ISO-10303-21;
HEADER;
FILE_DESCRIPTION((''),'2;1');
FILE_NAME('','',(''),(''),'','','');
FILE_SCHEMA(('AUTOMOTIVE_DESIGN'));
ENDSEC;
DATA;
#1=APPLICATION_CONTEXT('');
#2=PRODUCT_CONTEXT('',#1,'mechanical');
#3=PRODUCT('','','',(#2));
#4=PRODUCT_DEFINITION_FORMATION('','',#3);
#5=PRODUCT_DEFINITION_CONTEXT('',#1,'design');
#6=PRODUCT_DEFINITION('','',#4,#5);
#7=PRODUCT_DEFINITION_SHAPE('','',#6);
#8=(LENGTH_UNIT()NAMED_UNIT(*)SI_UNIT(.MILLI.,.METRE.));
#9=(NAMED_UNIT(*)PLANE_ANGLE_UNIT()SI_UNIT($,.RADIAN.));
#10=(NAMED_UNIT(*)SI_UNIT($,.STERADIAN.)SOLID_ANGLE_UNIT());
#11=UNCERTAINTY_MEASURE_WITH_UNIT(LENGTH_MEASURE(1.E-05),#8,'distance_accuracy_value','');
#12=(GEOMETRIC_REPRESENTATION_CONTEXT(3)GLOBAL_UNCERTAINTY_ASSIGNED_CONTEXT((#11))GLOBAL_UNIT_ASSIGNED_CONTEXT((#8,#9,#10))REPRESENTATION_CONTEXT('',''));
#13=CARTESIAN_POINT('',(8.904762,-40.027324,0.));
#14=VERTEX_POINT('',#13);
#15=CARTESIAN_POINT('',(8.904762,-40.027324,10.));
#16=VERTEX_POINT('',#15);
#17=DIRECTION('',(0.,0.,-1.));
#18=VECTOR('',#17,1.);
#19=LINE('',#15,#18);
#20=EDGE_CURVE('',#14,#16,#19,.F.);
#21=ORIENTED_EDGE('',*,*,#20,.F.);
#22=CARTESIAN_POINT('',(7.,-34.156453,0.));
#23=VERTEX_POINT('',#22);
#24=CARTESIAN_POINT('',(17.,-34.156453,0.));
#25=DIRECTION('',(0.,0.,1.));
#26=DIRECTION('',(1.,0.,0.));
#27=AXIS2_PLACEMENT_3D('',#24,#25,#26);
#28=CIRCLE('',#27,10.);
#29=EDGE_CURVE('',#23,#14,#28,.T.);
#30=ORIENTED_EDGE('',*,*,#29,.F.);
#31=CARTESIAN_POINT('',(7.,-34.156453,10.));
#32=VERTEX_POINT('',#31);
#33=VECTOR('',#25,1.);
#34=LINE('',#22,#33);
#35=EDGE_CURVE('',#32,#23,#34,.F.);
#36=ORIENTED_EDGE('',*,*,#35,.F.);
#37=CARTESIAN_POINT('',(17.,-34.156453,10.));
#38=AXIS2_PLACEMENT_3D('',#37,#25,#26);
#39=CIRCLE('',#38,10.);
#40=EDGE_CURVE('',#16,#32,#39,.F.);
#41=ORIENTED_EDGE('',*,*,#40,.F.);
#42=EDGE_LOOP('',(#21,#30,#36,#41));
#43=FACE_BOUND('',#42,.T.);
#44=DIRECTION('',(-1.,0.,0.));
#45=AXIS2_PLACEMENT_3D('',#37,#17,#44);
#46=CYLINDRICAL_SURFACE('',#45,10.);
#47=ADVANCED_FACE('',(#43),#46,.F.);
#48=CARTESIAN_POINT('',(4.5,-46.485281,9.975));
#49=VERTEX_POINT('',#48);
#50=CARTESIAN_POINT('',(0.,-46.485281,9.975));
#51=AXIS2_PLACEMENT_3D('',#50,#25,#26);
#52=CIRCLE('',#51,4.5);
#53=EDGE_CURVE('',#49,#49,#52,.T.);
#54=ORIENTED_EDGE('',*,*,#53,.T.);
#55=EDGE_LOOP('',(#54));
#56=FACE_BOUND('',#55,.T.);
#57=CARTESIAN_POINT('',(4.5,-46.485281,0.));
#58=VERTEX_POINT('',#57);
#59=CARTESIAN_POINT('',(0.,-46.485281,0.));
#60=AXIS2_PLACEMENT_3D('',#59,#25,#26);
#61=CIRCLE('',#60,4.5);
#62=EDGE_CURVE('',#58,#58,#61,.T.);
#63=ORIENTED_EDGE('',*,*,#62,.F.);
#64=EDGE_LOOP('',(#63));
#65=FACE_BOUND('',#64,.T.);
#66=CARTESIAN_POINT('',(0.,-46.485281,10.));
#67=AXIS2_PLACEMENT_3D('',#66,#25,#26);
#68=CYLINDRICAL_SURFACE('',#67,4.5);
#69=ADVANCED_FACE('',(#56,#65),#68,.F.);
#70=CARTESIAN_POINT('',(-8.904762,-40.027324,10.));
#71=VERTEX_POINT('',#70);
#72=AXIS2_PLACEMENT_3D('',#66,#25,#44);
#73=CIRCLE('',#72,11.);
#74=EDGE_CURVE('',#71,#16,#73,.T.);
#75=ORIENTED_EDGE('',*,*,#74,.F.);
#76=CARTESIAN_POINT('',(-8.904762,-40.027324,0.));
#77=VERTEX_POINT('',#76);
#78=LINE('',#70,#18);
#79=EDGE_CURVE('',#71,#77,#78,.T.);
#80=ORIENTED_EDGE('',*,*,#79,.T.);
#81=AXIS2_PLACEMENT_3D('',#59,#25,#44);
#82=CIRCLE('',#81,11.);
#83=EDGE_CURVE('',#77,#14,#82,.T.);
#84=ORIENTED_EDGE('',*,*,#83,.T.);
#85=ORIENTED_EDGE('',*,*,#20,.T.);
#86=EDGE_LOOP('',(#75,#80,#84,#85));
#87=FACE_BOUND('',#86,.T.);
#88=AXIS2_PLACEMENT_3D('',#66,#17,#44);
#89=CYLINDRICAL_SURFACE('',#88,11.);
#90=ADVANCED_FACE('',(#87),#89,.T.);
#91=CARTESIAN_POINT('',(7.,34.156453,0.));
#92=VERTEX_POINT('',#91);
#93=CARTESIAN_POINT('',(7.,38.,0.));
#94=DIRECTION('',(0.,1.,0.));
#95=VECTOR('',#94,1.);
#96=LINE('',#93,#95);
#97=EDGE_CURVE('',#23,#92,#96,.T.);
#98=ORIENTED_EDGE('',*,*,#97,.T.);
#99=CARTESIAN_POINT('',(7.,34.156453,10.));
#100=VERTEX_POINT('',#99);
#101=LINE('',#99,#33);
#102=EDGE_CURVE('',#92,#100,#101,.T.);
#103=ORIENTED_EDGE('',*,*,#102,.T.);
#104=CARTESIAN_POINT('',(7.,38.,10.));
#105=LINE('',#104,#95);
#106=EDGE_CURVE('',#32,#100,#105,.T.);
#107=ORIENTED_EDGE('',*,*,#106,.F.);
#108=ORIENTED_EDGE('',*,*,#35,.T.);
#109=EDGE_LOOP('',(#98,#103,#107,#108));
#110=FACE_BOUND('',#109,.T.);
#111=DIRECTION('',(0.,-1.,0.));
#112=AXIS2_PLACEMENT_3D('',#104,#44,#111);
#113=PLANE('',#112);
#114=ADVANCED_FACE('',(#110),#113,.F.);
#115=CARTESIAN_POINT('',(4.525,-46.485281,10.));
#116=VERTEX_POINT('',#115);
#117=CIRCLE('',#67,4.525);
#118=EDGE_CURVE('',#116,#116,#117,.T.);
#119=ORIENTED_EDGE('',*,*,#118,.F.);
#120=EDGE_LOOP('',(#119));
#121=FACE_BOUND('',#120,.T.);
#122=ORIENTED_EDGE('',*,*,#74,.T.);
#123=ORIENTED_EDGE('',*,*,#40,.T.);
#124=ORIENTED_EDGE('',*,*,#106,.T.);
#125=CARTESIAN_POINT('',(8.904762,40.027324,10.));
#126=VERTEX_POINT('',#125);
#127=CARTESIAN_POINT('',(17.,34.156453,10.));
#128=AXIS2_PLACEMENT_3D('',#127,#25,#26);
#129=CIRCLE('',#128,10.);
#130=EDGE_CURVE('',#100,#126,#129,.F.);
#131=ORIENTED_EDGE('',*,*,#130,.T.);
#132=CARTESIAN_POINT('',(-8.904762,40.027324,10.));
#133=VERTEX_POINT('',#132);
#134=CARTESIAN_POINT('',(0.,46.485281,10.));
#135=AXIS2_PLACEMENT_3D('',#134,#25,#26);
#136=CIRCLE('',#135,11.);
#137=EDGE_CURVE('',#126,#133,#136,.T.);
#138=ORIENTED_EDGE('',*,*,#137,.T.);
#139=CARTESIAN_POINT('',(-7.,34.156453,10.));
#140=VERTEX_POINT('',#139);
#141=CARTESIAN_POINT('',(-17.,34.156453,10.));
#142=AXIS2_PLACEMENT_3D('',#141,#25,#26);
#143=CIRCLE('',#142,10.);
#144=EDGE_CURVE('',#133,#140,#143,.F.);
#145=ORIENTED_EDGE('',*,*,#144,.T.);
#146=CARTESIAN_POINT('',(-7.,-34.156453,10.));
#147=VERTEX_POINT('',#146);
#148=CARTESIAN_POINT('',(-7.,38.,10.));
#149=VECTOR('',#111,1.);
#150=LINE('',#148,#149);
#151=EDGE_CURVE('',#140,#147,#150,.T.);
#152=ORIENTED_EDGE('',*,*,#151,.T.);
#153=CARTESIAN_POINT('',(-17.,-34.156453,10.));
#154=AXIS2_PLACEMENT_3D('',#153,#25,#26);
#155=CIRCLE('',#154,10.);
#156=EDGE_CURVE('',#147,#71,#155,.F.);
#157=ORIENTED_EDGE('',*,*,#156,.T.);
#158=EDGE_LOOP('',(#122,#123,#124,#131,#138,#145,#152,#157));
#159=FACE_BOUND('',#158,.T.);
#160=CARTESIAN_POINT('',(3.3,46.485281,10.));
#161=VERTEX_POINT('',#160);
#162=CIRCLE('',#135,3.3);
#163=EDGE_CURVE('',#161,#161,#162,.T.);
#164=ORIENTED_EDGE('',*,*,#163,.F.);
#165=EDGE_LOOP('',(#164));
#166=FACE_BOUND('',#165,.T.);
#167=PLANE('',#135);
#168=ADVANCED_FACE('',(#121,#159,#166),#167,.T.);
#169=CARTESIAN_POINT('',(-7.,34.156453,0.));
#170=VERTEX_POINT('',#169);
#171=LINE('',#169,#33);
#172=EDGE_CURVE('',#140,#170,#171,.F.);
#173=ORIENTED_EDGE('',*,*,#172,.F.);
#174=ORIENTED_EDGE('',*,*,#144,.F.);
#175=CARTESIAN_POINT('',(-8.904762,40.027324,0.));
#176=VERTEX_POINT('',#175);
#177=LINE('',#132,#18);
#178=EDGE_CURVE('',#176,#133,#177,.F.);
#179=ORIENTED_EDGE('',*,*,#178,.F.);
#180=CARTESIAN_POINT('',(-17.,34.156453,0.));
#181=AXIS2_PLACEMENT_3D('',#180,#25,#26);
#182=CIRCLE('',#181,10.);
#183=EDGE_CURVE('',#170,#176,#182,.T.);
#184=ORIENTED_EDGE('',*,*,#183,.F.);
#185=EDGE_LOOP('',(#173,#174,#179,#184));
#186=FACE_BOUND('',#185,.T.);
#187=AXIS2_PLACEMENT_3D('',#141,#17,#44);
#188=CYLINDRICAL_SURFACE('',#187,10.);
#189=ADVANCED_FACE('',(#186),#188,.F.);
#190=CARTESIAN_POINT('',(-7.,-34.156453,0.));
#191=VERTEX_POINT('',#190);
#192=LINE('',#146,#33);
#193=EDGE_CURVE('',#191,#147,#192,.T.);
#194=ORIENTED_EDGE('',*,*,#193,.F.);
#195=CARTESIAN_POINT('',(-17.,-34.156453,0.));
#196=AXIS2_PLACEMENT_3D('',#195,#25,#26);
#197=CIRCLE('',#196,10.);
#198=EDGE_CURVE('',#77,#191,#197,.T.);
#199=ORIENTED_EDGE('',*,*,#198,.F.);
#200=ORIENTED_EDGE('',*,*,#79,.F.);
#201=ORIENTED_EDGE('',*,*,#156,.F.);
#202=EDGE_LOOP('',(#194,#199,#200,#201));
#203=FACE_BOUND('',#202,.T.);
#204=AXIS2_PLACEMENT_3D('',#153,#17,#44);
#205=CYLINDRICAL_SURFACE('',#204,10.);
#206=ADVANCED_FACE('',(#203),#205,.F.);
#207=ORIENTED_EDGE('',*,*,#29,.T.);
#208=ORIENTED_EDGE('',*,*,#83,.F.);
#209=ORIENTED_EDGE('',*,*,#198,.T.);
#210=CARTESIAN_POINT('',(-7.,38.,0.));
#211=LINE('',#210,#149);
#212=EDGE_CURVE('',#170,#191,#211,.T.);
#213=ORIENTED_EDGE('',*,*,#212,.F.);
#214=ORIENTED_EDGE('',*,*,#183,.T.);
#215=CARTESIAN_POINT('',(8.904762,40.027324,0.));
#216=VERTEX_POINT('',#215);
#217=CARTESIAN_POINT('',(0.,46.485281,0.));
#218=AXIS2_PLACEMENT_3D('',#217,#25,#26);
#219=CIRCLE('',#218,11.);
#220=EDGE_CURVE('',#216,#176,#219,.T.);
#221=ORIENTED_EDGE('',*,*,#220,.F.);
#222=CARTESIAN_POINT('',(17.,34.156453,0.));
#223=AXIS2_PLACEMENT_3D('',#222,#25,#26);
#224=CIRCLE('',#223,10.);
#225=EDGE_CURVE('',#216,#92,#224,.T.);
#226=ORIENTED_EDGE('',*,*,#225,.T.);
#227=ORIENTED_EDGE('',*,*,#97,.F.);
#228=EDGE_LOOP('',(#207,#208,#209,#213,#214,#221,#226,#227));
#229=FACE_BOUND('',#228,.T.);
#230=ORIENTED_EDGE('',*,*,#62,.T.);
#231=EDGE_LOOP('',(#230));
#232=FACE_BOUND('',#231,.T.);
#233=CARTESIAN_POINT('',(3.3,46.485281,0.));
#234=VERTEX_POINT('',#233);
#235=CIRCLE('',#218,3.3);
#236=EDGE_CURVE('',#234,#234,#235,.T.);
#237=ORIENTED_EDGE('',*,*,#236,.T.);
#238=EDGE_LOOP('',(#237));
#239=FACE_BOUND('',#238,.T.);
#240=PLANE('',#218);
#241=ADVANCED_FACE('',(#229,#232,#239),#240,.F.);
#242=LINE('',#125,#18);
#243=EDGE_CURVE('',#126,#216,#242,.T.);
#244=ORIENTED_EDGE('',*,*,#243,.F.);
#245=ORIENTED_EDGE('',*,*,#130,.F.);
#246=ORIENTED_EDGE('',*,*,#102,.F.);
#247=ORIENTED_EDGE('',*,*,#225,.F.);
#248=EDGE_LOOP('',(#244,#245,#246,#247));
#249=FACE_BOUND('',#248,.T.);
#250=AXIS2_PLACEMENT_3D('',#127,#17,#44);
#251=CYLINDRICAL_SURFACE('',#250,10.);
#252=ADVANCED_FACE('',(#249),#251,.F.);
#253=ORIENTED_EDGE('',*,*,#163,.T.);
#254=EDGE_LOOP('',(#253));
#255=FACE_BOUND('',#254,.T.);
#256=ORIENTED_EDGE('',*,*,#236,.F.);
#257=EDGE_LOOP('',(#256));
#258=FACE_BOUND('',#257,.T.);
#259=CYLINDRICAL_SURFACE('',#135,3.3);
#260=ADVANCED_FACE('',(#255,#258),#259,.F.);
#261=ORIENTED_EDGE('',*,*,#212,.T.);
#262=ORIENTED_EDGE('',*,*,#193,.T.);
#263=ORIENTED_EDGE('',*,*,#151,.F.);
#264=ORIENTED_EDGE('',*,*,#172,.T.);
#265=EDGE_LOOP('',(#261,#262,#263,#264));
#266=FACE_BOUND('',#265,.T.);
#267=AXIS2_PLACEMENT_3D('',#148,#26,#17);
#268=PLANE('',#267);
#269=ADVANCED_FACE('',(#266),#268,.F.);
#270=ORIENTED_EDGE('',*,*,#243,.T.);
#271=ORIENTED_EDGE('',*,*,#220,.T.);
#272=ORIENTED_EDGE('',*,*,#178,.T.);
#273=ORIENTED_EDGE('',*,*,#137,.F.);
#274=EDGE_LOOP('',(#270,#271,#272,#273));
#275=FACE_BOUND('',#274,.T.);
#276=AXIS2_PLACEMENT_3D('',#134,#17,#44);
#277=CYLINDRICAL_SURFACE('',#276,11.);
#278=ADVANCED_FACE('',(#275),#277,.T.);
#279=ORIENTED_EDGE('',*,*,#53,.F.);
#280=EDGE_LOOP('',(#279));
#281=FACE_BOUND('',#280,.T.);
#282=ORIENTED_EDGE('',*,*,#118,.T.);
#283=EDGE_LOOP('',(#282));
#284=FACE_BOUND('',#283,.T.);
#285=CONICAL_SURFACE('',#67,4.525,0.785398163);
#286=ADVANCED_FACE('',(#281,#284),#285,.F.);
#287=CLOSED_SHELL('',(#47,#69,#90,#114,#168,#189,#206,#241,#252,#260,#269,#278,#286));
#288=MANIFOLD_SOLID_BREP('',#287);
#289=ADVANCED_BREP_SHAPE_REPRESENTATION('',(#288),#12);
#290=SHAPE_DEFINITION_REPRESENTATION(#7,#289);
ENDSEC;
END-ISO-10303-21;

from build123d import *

# Parameters (mm, degrees)
BOSS_EXTRU_2_DEPTH         = 10
CONG_1_R                   = 10
D_GAGEMENT_M81_D           = 9
D_GAGEMENT_M81_CSINK_D     = 9.05
D_GAGEMENT_M81_CSINK_ANGLE = 90
D_GAGEMENT_M61_D           = 6.6


with BuildPart() as part:
    # Esquisse1 → Boss.-Extru.2 (new body)
    with BuildSketch(Plane.XY):
        with BuildLine():
            Line((-7, 38), (-7, -38))
            ThreePointArc((-7, -38), (0, -57.485281374), (7, -38))
            Line((7, -38), (7, 38))
            ThreePointArc((7, 38), (0, 57.485281374), (-7, 38))
        make_face()
    extrude(amount=BOSS_EXTRU_2_DEPTH)

    # Congé1
    cong_1_edges = [part.edges().sort_by_distance(p)[0] for p in [
        (7, 38, 5),
        (7, -38, 5),
        (-7, -38, 5),
        (-7, 38, 5),
    ]]
    fillet(cong_1_edges, radius=CONG_1_R)

    # Dégagement M81 (through all)
    with Locations(Plane.XY.offset(10)):
        with Locations((0, -46.485281374)):
            CounterSinkHole(D_GAGEMENT_M81_D / 2, D_GAGEMENT_M81_CSINK_D / 2, counter_sink_angle=D_GAGEMENT_M81_CSINK_ANGLE)

    # Dégagement M61 (through all)
    with Locations(Plane.XY.offset(10)):
        with Locations((0, 46.485281374)):
            Hole(D_GAGEMENT_M61_D / 2)


solid = part.part
